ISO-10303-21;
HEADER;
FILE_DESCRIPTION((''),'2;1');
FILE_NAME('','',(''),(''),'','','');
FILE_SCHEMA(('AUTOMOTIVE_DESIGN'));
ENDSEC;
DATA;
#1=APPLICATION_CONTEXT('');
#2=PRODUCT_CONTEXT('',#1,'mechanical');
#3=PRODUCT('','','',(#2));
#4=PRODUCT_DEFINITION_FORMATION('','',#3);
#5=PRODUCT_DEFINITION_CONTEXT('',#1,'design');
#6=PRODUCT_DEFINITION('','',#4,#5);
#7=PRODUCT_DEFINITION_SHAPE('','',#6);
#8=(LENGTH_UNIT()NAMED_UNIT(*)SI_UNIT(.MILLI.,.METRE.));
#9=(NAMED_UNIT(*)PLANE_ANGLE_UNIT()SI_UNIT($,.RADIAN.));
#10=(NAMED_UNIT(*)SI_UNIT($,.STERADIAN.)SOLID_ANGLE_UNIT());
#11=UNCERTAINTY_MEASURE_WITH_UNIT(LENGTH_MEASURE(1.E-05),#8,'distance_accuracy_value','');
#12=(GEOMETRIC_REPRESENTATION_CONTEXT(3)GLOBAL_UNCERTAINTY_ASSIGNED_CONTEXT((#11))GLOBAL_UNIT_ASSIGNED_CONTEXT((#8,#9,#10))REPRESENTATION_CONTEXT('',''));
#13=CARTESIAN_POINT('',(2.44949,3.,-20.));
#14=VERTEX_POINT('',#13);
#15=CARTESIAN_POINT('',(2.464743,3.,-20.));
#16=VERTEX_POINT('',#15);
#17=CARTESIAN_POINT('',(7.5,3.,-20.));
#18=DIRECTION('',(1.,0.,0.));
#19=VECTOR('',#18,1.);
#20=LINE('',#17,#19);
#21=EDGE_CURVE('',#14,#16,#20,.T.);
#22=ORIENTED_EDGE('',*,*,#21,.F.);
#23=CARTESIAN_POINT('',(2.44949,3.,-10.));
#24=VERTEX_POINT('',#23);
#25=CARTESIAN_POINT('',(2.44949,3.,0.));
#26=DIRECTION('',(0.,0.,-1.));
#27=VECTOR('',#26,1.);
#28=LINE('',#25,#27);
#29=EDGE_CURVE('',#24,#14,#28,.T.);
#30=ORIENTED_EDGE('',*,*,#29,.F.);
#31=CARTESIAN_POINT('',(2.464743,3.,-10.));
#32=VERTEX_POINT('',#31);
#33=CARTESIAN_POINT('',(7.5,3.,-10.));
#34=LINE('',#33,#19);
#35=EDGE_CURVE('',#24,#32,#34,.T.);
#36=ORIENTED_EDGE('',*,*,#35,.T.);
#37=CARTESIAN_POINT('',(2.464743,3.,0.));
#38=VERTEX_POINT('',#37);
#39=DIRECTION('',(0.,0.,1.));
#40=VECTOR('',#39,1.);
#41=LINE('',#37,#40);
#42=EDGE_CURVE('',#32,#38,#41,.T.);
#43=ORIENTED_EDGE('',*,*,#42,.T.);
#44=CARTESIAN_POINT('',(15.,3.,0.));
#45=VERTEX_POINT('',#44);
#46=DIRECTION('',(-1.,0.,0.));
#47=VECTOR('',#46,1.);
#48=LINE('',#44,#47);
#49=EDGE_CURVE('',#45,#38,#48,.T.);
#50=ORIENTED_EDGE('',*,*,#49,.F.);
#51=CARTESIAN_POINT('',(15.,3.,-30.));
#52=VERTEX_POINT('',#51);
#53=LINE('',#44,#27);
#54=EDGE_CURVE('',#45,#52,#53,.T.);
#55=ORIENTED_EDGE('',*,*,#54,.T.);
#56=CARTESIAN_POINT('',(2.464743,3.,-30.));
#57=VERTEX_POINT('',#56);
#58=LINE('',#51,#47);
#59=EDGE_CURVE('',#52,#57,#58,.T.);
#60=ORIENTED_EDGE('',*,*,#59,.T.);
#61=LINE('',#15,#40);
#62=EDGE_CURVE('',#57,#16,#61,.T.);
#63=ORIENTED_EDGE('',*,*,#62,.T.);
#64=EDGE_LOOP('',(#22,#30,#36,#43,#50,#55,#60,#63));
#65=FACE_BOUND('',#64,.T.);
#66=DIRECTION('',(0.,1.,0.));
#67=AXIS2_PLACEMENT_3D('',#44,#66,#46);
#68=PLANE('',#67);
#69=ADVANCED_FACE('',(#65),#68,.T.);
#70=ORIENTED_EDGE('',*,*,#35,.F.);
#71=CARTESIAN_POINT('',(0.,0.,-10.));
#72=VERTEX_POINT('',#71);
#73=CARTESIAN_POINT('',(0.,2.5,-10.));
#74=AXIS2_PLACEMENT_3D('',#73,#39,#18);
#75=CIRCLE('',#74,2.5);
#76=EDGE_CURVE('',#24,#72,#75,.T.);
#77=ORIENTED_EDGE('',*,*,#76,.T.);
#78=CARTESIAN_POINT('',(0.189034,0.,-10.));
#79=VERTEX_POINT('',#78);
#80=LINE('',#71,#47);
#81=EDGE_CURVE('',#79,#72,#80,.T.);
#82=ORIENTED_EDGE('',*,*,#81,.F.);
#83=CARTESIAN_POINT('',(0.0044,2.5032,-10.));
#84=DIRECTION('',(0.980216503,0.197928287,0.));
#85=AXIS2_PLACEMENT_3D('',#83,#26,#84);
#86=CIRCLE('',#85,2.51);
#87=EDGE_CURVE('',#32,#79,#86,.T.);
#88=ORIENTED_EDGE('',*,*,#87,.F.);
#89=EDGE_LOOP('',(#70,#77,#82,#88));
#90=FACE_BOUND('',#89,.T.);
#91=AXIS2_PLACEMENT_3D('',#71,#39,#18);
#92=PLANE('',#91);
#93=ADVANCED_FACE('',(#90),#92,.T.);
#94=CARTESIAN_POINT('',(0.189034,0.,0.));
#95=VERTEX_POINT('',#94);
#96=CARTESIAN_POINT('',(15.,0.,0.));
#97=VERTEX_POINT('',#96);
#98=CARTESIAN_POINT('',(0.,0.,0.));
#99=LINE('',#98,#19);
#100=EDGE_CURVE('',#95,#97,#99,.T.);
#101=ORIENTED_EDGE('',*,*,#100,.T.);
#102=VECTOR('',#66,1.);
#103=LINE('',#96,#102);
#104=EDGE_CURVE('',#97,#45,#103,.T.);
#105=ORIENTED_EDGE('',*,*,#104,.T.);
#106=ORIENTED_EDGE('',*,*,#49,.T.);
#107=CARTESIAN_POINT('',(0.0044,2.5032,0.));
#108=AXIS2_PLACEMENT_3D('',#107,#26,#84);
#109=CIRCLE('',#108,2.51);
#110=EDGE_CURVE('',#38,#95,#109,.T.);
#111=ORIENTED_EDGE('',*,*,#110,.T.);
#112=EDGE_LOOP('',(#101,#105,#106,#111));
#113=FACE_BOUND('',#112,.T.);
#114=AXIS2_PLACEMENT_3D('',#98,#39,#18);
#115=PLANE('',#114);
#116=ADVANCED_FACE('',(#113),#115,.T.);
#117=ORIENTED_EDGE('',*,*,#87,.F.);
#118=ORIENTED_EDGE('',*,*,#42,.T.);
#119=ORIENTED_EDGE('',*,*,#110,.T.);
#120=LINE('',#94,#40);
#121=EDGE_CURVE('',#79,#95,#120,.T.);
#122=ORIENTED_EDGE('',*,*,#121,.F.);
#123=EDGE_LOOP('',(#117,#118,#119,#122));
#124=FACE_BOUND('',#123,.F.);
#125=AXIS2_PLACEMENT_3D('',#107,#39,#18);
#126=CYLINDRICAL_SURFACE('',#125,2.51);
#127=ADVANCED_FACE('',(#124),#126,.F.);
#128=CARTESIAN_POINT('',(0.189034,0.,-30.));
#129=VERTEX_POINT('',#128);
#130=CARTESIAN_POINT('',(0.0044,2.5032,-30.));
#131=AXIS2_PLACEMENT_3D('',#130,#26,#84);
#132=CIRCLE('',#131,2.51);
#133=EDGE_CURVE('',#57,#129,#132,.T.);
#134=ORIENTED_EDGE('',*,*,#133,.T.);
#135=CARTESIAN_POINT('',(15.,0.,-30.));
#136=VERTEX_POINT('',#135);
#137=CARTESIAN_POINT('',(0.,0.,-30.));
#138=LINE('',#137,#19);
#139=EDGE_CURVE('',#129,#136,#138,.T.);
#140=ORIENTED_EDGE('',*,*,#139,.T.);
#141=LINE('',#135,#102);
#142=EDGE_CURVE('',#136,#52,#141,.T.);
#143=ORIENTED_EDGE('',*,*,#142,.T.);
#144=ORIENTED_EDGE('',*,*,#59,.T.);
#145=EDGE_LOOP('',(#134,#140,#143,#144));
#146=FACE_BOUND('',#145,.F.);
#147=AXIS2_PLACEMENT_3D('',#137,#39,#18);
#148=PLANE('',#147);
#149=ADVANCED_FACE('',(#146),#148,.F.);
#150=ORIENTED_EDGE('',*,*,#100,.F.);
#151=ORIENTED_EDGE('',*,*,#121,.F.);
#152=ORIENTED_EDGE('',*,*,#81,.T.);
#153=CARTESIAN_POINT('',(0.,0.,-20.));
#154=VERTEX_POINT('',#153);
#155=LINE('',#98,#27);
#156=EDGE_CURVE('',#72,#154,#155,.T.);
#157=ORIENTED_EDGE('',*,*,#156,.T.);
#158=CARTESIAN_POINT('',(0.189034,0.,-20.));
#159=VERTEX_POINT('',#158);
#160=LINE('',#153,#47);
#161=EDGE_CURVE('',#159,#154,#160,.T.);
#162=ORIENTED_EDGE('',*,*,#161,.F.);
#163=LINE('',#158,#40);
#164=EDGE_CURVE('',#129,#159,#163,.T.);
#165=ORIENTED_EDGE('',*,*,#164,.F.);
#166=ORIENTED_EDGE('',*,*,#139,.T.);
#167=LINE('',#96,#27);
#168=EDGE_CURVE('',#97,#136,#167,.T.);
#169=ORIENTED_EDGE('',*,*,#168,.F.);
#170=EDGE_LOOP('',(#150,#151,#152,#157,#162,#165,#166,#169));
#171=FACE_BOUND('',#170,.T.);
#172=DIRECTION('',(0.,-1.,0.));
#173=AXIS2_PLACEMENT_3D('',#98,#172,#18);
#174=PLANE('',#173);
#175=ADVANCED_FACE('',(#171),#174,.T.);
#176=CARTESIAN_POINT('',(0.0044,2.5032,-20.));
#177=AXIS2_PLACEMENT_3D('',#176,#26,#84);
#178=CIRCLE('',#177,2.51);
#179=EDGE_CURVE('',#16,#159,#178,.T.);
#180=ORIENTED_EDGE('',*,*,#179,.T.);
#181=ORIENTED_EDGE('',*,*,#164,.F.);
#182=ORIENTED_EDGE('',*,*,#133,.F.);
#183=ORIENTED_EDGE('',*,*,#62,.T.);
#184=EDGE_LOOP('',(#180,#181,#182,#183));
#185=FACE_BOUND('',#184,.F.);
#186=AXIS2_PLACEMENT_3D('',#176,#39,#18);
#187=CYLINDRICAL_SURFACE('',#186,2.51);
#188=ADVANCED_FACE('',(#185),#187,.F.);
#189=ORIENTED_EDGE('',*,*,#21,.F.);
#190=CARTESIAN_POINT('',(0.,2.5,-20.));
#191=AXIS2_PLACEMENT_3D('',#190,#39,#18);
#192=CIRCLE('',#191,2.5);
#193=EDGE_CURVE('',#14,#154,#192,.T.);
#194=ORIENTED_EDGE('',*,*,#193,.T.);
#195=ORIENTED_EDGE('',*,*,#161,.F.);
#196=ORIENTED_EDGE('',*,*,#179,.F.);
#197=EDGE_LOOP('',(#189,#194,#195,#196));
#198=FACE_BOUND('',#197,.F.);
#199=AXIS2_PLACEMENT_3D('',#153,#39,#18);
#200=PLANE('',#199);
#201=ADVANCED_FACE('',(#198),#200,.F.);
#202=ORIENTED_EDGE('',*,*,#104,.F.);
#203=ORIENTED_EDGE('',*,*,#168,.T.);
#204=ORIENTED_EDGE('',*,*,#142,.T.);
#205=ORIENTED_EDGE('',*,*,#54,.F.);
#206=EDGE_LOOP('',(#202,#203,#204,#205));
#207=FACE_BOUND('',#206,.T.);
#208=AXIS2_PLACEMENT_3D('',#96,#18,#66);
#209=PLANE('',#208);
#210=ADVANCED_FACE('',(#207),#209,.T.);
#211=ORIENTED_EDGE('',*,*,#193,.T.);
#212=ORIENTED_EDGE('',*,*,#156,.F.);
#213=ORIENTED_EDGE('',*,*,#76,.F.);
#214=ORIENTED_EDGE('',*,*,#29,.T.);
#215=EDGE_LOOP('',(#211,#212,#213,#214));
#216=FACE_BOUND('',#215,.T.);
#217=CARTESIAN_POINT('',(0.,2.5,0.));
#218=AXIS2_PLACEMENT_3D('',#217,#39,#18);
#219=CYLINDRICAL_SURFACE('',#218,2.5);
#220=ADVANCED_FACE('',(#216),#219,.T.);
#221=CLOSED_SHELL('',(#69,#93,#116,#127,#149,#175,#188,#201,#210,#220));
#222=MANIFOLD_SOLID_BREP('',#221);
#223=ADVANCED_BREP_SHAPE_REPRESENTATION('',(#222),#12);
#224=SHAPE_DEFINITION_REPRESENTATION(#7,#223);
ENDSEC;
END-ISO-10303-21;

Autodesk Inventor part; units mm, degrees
ref_plane "YZ Plane" through (0, 0, 0) normal (1, 0, 0) x (0, 1, 0)
ref_plane "XZ Plane" through (0, 0, 0) normal (0, 1, 0) x (-1, 0, 0)
ref_plane "XY Plane" through (0, 0, 0) normal (0, 0, 1) x (1, 0, 0)
sketch "Sketch1" plane through (0, 0, 0) normal (0, 0, 1) x (1, 0, 0)
  line L0 (0, 0) -> (15, 0)
  line L1 (15, 0) -> (15, 3)
  line L2 (15, 3) -> (0, 3)
  line L3 (0, 3) -> (0, 0)
  circle A0 centre (0, 2.5) radius 2.5
  point P0 (0, 1.5)
  point P1 (2.4495, 3)
  dimension "d0" = 15
  dimension "d1" = 3
  dimension "d2" = 5
extrude "Extrusion1" add sketch "Sketch1" against normal blind 30
sketch "Sketch2" plane through (0, 0, 0) normal (0, 0, 1) x (1, 0, 0)
  arc A0 (2.4495, 3) -> (0, 0) centre (0, 2.5) ccw projected
  circle A1 centre (0.0044, 2.5032) radius 2.51
  dimension "d5" = 5.02
extrude "Extrusion2" cut sketch "Sketch2" against normal blind 10
pattern_linear "Rectangular Pattern1" count 2 spacing 20 along (0, 0, -1) of "Extrusion2"
properties part number "Clip1" material "Stainless Steel"
